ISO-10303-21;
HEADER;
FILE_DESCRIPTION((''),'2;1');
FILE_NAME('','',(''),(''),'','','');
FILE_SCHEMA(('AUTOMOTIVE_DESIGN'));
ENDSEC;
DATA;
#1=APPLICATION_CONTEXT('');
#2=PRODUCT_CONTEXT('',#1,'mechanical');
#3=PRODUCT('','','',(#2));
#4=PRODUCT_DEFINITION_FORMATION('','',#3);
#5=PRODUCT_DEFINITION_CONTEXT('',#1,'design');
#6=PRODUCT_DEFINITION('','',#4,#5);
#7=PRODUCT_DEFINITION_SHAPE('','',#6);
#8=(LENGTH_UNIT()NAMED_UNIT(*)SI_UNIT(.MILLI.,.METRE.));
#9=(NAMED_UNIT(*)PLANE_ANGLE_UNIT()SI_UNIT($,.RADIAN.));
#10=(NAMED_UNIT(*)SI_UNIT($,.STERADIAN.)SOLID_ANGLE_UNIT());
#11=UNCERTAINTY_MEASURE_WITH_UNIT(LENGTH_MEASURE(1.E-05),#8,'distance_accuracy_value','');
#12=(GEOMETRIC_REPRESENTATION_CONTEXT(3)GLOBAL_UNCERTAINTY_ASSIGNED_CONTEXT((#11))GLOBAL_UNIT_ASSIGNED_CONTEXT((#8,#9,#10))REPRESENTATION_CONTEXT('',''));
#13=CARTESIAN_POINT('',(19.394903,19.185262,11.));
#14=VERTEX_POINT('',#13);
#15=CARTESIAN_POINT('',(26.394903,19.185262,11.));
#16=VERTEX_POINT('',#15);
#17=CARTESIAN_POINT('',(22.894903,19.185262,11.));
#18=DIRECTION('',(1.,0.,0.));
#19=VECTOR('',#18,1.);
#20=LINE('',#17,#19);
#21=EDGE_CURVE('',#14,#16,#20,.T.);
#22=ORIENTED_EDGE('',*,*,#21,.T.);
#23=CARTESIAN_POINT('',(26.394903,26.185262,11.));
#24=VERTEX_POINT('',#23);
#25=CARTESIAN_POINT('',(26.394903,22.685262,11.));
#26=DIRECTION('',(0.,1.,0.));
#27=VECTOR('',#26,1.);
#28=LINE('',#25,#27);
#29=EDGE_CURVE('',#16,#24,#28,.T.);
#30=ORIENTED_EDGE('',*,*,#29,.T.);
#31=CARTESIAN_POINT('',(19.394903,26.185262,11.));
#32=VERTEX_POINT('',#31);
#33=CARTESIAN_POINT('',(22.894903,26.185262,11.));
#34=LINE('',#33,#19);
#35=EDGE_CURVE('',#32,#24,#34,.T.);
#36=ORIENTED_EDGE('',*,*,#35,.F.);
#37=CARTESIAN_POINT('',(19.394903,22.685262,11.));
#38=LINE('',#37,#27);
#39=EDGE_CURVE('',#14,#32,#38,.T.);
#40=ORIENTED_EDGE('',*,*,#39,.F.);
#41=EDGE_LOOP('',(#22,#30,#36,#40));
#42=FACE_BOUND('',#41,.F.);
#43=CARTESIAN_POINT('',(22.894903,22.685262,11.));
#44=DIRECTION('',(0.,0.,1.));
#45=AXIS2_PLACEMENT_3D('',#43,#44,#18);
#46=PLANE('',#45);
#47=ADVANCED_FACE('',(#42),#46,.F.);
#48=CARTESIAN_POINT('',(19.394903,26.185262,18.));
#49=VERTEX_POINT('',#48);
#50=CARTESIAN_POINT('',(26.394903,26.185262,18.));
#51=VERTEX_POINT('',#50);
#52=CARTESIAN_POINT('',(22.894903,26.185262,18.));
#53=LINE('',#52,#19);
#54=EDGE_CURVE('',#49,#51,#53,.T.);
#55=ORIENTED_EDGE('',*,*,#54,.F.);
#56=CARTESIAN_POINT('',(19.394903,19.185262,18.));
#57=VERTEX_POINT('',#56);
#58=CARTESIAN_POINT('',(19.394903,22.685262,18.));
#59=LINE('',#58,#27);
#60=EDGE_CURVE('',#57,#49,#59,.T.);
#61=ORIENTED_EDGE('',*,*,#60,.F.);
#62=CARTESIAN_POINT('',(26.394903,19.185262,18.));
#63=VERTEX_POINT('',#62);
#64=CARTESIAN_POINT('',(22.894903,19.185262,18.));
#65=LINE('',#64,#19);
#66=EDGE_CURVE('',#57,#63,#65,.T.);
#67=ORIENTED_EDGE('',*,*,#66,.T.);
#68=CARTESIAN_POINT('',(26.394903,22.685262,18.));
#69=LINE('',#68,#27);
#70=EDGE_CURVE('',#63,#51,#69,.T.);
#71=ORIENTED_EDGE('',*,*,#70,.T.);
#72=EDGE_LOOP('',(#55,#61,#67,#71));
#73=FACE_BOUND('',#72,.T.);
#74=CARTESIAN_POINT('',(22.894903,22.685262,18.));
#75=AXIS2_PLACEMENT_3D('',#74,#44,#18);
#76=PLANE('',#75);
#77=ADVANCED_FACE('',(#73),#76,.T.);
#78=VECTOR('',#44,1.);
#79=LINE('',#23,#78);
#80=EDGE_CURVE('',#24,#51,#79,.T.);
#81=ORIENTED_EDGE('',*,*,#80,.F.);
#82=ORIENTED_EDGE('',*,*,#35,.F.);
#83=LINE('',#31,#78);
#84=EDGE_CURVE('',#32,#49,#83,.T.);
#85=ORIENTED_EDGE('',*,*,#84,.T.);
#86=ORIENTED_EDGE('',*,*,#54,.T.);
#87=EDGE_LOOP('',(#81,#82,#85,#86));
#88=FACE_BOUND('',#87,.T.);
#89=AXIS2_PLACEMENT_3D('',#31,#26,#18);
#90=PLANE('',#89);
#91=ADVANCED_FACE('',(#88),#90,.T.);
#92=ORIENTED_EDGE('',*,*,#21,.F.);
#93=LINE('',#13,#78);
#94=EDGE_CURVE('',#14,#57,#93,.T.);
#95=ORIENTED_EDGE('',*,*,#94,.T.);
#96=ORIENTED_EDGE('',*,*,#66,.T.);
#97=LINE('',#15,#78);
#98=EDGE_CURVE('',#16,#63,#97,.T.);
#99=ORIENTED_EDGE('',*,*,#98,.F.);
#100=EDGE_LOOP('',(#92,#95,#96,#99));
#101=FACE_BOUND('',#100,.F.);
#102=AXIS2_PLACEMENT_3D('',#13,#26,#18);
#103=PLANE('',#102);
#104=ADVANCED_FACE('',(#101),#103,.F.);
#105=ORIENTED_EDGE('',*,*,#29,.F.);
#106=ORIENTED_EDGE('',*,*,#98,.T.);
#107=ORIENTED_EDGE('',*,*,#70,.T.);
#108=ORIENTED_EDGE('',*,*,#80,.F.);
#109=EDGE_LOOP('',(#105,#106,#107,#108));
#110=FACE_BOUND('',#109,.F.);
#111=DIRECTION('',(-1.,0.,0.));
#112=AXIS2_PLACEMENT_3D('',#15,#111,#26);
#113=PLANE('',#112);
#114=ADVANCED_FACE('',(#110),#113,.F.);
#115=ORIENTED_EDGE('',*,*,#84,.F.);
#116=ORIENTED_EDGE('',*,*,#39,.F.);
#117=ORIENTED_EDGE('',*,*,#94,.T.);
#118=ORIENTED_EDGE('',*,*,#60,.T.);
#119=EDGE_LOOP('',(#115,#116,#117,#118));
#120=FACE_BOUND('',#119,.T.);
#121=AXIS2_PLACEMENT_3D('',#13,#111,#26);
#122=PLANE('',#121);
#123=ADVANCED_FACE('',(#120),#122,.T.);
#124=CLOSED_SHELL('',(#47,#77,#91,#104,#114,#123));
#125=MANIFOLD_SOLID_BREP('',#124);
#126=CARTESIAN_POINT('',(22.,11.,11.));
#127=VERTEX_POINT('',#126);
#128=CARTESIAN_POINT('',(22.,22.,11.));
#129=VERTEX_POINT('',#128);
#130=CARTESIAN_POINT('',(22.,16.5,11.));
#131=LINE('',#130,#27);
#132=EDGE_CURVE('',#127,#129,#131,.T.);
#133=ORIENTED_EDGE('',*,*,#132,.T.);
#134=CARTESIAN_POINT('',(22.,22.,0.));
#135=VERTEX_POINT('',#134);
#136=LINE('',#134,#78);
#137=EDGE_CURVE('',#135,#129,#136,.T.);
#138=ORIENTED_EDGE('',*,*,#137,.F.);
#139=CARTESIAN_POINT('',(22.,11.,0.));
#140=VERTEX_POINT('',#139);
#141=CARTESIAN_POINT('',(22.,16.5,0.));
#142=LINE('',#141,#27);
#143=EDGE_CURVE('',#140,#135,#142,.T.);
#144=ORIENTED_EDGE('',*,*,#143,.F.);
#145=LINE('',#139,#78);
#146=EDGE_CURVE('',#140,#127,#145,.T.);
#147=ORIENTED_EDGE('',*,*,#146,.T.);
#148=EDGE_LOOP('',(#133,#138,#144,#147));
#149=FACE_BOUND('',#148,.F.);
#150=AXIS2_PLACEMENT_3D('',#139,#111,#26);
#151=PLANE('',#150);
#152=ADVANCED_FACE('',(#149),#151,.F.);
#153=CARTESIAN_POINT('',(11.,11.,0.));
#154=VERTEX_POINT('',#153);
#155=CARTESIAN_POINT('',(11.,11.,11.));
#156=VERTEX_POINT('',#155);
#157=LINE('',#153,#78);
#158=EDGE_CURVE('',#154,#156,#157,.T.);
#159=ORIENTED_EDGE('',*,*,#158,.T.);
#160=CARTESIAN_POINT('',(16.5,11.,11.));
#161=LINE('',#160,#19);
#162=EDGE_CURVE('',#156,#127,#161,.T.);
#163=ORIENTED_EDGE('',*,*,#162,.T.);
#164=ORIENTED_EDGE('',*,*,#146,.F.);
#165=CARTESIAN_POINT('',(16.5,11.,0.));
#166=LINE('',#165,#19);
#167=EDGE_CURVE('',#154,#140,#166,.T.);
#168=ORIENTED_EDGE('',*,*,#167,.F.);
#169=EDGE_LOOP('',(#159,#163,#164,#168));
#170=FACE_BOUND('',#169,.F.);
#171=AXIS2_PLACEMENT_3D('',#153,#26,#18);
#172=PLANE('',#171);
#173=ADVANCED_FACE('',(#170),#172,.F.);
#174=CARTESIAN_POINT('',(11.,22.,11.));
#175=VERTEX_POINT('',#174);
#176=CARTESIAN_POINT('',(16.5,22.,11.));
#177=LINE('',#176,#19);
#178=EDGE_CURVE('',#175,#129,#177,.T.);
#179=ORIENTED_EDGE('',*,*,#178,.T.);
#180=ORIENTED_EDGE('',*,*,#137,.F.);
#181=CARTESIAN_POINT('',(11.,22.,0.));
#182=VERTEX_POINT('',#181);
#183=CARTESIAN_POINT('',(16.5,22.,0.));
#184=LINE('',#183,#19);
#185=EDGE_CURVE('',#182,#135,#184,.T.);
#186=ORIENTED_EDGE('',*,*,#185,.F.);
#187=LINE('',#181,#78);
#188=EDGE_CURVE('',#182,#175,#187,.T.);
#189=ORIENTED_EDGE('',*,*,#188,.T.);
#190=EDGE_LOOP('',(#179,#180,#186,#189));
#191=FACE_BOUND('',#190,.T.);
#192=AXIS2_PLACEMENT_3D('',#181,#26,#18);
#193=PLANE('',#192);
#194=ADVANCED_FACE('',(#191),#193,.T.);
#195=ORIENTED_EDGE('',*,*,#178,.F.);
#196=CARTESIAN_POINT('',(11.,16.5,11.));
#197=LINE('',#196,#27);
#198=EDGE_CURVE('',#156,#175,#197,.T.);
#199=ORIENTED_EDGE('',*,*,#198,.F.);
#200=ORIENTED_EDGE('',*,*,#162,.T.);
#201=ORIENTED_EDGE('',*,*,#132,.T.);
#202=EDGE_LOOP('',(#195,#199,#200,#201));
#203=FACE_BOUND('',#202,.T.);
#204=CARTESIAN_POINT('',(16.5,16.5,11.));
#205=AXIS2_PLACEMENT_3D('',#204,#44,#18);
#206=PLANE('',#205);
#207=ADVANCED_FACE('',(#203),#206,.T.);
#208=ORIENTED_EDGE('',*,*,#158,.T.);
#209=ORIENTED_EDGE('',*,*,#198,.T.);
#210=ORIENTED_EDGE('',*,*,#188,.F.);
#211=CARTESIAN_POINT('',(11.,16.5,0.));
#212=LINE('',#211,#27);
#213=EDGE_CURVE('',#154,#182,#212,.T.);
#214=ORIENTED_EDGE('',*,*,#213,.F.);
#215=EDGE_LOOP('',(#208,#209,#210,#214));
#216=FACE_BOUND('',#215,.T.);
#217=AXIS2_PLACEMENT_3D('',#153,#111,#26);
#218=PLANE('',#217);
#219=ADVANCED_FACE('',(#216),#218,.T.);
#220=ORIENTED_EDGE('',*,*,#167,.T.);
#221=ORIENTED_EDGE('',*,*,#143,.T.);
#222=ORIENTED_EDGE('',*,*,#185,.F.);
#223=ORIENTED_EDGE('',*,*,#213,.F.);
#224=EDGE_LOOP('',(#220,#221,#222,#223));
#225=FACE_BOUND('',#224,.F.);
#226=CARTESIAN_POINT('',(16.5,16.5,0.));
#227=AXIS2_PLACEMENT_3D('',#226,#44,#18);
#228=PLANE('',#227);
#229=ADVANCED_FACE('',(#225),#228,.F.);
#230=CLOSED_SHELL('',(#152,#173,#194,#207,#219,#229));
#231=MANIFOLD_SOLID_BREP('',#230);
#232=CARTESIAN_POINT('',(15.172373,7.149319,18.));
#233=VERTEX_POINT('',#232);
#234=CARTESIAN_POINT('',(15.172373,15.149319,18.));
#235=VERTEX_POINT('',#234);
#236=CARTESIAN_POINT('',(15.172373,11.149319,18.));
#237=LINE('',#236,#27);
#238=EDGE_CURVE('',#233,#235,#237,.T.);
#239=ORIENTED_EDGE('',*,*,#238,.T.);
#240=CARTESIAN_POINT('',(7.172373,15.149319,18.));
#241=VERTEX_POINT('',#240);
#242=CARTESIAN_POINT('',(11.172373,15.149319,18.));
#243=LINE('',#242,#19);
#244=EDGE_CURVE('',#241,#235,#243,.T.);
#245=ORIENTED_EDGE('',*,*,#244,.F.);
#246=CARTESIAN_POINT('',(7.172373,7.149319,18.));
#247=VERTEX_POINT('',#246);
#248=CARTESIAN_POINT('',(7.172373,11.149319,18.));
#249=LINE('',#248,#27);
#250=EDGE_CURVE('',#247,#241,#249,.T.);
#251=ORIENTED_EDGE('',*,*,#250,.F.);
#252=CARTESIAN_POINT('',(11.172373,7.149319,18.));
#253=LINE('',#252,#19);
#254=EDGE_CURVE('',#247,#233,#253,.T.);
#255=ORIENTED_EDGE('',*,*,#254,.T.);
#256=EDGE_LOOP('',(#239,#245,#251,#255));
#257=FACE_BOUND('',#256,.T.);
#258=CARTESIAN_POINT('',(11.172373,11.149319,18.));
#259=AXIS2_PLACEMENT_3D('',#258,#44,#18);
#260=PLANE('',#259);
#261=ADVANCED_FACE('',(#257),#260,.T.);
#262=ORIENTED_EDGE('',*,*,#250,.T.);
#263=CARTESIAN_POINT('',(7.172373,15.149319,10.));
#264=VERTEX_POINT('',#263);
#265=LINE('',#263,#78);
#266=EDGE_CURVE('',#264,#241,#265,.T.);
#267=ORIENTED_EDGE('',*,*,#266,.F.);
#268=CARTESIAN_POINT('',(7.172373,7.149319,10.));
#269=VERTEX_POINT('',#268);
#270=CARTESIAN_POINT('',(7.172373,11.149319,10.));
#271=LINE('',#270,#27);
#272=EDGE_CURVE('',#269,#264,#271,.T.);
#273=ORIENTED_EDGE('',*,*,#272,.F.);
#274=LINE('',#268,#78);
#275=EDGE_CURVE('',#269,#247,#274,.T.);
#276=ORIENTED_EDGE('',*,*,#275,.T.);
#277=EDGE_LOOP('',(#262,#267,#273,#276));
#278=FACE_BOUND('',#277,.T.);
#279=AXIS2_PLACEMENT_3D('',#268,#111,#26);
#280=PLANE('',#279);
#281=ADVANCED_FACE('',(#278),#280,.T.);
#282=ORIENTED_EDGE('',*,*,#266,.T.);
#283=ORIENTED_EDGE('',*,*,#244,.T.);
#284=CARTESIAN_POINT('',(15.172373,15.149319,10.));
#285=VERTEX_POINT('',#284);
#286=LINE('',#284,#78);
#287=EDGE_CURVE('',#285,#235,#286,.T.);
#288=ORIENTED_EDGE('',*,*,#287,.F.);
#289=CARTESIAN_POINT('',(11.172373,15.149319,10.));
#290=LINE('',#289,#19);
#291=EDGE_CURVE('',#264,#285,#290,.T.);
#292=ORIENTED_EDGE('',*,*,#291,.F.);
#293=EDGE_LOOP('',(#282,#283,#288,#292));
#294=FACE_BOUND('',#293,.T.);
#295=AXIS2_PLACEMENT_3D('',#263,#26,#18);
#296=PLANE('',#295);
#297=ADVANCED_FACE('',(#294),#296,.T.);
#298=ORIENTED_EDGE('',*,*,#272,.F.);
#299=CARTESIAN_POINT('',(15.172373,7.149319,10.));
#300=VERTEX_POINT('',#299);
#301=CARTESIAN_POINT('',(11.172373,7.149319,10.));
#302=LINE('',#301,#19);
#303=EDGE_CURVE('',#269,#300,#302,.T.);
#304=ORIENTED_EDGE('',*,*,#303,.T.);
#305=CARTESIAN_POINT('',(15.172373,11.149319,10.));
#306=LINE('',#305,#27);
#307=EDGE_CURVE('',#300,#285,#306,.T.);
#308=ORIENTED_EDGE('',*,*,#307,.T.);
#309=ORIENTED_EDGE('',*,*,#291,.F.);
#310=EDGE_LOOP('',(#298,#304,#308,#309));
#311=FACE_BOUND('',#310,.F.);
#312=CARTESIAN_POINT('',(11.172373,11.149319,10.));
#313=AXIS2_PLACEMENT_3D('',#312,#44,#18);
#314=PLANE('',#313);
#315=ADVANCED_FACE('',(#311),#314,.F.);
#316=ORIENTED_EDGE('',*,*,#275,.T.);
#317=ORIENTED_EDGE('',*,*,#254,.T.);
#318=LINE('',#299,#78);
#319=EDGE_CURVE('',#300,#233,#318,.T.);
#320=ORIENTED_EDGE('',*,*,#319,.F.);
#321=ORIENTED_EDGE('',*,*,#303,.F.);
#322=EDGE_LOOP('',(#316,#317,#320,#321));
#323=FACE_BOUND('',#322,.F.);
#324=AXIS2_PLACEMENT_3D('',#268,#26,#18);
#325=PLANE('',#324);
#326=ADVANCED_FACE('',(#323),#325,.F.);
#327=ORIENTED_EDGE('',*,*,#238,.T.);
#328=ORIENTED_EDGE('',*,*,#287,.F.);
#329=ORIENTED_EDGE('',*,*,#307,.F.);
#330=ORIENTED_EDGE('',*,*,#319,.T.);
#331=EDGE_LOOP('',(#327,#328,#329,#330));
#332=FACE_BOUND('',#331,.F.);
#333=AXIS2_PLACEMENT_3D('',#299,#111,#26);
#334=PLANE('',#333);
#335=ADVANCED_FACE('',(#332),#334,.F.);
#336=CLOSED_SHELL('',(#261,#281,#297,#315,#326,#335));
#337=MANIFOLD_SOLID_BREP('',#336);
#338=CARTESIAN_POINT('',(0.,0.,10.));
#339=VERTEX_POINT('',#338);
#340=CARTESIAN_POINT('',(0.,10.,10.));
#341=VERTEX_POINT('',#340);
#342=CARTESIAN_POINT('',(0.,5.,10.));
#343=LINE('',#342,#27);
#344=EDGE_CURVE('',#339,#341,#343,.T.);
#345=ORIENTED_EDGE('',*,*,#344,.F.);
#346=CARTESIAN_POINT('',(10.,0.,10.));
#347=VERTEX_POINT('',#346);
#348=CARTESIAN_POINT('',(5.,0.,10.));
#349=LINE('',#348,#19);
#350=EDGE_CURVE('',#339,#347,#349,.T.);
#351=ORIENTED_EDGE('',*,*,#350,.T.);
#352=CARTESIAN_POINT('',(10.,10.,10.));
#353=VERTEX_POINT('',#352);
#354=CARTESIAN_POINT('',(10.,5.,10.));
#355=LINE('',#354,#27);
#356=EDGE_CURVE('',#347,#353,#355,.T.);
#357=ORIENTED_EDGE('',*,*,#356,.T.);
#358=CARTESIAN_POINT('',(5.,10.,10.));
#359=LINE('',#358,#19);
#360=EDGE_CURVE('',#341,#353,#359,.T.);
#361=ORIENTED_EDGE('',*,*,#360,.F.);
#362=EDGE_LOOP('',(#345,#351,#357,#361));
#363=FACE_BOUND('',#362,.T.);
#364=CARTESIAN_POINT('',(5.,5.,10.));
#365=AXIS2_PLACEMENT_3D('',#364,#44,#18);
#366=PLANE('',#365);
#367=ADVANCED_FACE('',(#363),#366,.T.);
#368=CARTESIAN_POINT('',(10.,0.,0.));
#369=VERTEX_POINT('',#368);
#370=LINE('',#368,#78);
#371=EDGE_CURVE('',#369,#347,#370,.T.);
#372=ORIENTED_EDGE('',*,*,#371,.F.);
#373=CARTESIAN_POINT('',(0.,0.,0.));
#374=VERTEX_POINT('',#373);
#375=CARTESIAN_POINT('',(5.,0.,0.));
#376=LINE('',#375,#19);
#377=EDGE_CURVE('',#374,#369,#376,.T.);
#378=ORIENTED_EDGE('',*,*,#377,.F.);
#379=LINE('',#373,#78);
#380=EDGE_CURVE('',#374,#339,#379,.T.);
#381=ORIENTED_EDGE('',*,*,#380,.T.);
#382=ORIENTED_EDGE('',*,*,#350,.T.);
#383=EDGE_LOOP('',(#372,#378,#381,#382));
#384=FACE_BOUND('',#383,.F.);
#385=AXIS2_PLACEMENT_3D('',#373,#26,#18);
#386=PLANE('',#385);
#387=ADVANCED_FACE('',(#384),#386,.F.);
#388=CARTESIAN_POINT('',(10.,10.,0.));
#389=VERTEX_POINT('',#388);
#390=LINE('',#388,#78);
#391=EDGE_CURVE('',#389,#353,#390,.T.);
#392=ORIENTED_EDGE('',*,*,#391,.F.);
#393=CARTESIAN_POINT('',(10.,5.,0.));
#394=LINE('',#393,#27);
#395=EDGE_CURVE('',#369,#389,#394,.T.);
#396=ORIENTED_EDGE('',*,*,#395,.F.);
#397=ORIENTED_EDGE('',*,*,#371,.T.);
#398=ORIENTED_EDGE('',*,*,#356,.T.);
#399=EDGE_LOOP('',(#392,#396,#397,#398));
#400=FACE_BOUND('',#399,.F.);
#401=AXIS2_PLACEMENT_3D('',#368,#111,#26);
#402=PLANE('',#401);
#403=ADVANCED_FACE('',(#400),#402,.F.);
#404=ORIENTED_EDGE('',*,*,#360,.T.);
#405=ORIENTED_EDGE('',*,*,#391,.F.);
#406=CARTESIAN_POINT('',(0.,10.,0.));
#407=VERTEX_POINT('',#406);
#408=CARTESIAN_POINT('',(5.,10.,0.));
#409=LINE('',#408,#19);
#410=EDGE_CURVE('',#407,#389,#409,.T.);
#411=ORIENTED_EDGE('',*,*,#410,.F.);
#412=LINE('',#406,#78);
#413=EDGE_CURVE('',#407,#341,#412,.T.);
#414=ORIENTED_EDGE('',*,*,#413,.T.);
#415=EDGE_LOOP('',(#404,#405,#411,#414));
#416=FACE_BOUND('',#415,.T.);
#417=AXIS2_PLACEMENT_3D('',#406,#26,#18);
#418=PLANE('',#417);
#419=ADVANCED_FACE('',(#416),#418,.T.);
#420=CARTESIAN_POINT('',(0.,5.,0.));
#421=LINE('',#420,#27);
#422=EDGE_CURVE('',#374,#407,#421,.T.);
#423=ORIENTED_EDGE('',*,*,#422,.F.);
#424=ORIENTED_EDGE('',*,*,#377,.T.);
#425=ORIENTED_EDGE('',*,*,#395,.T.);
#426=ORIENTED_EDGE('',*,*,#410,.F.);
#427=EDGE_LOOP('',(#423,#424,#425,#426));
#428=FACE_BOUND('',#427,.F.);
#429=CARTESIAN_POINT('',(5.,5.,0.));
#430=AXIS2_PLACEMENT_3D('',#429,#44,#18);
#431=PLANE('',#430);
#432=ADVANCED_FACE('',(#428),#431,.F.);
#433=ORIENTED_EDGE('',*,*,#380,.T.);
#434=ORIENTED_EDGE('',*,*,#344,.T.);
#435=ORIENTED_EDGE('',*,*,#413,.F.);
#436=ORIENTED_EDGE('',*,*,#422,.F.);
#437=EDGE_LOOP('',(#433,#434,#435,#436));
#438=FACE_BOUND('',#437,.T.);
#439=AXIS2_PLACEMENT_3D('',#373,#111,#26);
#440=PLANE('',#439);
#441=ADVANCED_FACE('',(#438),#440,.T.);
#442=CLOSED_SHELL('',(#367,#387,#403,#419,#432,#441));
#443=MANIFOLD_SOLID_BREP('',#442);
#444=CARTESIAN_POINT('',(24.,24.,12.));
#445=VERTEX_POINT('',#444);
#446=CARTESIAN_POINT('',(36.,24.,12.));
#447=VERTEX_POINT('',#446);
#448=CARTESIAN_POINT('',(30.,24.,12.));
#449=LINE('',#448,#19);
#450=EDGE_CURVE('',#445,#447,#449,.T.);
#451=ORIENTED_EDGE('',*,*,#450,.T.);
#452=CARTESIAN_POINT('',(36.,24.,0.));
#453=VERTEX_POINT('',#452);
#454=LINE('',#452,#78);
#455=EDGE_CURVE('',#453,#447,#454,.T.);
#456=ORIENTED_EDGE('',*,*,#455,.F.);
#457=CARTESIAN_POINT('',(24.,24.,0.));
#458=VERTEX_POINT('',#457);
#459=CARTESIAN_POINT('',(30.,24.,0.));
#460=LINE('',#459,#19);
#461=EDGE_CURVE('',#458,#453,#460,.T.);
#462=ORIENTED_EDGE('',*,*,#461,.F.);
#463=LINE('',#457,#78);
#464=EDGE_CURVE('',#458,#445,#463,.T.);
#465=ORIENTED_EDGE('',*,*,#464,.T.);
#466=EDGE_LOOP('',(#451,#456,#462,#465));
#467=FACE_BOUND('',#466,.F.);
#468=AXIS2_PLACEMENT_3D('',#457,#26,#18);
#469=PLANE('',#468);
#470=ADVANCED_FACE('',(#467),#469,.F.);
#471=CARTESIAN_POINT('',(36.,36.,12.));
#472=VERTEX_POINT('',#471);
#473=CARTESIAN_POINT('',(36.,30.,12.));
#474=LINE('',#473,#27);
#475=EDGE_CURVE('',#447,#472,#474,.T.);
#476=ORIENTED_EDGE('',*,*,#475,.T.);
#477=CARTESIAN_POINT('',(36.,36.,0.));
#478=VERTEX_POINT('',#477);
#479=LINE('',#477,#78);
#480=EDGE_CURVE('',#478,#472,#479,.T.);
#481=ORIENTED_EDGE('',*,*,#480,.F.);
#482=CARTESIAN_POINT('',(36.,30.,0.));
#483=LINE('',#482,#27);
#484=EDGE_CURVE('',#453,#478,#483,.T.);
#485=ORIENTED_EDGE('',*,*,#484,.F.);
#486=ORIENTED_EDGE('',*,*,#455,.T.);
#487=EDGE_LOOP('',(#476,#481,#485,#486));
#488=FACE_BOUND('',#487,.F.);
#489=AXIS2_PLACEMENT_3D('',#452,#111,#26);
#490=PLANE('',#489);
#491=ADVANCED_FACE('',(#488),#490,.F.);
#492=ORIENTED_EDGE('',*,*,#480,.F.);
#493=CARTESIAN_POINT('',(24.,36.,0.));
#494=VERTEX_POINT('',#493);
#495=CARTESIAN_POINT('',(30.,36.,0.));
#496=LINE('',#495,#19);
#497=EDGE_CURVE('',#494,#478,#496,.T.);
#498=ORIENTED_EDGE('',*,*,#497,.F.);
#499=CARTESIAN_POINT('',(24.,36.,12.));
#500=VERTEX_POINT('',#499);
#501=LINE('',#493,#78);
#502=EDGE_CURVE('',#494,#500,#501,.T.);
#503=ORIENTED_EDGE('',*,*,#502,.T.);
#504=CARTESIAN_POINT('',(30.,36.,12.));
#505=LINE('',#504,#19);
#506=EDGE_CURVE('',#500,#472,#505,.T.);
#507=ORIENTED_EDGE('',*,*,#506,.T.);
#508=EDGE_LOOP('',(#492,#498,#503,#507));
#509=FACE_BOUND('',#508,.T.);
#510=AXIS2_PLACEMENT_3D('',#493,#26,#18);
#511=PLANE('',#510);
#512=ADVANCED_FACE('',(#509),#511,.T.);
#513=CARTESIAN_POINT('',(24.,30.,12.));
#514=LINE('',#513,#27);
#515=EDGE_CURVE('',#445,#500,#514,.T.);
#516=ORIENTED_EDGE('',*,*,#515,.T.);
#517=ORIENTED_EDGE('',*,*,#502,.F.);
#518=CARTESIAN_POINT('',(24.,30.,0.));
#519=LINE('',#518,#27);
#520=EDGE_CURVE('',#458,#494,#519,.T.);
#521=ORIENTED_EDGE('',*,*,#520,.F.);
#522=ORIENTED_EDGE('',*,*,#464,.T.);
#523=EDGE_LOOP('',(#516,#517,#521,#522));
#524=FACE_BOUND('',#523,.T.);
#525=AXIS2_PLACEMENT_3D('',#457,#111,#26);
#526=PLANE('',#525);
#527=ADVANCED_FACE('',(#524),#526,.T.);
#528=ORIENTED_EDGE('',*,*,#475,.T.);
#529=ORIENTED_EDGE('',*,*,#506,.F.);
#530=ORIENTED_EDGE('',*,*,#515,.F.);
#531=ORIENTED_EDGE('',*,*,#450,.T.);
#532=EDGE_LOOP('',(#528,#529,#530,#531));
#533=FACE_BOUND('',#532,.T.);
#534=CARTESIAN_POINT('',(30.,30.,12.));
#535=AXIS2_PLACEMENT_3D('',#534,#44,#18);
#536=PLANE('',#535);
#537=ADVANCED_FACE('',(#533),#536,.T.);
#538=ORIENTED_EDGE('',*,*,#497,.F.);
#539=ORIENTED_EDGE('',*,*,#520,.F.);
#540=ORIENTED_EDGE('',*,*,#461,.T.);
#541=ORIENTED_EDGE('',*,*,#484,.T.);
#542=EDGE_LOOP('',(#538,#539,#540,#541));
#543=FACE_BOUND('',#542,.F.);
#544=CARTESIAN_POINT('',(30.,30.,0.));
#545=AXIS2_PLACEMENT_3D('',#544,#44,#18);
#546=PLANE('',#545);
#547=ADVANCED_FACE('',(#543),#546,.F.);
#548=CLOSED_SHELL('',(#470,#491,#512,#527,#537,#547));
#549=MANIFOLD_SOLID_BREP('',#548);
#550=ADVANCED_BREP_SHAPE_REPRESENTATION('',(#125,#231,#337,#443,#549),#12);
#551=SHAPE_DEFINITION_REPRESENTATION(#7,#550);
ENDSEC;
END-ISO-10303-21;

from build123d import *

# Parameters (mm, degrees)
F0_W     = 10
F0_H     = 10
F1_DEPTH = 10
F2_W     = 11
F2_H     = 11
F3_DEPTH = 11
F4_W     = 12
F4_H     = 12
F5_DEPTH = 12
F6_W     = 8
F6_H     = 8
F7_DEPTH = 8
F8_W     = 7
F8_H     = 7
F9_DEPTH = 7


with BuildPart() as f1:
    # F0 (on Top) → F1 (new body)
    with BuildSketch(Plane.XY):
        with Locations((5, 5)):
            Rectangle(F0_W, F0_H)
    extrude(amount=F1_DEPTH)


with BuildPart() as f3:
    # F2 (on Top) → F3 (new body)
    with BuildSketch(Plane.XY):
        with Locations((16.5, 16.5)):
            Rectangle(F2_W, F2_H)
    extrude(amount=F3_DEPTH)


with BuildPart() as f5:
    # F4 (on Top) → F5 (new body)
    with BuildSketch(Plane.XY):
        with Locations((30, 30)):
            Rectangle(F4_W, F4_H)
    extrude(amount=F5_DEPTH)


with BuildPart() as f7:
    # F6 (on face) → F7 (new body)
    with BuildSketch(Plane.XY.offset(10)):
        with Locations((11.172373, 11.149319)):
            Rectangle(F6_W, F6_H)
    extrude(amount=F7_DEPTH)


with BuildPart() as f9:
    # F8 (on face) → F9 (new body)
    with BuildSketch(Plane.XY.offset(11)):
        with Locations((22.894903, 22.685262)):
            Rectangle(F8_W, F8_H)
    extrude(amount=F9_DEPTH)


solid = Compound([f1.part, f3.part, f5.part, f7.part, f9.part])
